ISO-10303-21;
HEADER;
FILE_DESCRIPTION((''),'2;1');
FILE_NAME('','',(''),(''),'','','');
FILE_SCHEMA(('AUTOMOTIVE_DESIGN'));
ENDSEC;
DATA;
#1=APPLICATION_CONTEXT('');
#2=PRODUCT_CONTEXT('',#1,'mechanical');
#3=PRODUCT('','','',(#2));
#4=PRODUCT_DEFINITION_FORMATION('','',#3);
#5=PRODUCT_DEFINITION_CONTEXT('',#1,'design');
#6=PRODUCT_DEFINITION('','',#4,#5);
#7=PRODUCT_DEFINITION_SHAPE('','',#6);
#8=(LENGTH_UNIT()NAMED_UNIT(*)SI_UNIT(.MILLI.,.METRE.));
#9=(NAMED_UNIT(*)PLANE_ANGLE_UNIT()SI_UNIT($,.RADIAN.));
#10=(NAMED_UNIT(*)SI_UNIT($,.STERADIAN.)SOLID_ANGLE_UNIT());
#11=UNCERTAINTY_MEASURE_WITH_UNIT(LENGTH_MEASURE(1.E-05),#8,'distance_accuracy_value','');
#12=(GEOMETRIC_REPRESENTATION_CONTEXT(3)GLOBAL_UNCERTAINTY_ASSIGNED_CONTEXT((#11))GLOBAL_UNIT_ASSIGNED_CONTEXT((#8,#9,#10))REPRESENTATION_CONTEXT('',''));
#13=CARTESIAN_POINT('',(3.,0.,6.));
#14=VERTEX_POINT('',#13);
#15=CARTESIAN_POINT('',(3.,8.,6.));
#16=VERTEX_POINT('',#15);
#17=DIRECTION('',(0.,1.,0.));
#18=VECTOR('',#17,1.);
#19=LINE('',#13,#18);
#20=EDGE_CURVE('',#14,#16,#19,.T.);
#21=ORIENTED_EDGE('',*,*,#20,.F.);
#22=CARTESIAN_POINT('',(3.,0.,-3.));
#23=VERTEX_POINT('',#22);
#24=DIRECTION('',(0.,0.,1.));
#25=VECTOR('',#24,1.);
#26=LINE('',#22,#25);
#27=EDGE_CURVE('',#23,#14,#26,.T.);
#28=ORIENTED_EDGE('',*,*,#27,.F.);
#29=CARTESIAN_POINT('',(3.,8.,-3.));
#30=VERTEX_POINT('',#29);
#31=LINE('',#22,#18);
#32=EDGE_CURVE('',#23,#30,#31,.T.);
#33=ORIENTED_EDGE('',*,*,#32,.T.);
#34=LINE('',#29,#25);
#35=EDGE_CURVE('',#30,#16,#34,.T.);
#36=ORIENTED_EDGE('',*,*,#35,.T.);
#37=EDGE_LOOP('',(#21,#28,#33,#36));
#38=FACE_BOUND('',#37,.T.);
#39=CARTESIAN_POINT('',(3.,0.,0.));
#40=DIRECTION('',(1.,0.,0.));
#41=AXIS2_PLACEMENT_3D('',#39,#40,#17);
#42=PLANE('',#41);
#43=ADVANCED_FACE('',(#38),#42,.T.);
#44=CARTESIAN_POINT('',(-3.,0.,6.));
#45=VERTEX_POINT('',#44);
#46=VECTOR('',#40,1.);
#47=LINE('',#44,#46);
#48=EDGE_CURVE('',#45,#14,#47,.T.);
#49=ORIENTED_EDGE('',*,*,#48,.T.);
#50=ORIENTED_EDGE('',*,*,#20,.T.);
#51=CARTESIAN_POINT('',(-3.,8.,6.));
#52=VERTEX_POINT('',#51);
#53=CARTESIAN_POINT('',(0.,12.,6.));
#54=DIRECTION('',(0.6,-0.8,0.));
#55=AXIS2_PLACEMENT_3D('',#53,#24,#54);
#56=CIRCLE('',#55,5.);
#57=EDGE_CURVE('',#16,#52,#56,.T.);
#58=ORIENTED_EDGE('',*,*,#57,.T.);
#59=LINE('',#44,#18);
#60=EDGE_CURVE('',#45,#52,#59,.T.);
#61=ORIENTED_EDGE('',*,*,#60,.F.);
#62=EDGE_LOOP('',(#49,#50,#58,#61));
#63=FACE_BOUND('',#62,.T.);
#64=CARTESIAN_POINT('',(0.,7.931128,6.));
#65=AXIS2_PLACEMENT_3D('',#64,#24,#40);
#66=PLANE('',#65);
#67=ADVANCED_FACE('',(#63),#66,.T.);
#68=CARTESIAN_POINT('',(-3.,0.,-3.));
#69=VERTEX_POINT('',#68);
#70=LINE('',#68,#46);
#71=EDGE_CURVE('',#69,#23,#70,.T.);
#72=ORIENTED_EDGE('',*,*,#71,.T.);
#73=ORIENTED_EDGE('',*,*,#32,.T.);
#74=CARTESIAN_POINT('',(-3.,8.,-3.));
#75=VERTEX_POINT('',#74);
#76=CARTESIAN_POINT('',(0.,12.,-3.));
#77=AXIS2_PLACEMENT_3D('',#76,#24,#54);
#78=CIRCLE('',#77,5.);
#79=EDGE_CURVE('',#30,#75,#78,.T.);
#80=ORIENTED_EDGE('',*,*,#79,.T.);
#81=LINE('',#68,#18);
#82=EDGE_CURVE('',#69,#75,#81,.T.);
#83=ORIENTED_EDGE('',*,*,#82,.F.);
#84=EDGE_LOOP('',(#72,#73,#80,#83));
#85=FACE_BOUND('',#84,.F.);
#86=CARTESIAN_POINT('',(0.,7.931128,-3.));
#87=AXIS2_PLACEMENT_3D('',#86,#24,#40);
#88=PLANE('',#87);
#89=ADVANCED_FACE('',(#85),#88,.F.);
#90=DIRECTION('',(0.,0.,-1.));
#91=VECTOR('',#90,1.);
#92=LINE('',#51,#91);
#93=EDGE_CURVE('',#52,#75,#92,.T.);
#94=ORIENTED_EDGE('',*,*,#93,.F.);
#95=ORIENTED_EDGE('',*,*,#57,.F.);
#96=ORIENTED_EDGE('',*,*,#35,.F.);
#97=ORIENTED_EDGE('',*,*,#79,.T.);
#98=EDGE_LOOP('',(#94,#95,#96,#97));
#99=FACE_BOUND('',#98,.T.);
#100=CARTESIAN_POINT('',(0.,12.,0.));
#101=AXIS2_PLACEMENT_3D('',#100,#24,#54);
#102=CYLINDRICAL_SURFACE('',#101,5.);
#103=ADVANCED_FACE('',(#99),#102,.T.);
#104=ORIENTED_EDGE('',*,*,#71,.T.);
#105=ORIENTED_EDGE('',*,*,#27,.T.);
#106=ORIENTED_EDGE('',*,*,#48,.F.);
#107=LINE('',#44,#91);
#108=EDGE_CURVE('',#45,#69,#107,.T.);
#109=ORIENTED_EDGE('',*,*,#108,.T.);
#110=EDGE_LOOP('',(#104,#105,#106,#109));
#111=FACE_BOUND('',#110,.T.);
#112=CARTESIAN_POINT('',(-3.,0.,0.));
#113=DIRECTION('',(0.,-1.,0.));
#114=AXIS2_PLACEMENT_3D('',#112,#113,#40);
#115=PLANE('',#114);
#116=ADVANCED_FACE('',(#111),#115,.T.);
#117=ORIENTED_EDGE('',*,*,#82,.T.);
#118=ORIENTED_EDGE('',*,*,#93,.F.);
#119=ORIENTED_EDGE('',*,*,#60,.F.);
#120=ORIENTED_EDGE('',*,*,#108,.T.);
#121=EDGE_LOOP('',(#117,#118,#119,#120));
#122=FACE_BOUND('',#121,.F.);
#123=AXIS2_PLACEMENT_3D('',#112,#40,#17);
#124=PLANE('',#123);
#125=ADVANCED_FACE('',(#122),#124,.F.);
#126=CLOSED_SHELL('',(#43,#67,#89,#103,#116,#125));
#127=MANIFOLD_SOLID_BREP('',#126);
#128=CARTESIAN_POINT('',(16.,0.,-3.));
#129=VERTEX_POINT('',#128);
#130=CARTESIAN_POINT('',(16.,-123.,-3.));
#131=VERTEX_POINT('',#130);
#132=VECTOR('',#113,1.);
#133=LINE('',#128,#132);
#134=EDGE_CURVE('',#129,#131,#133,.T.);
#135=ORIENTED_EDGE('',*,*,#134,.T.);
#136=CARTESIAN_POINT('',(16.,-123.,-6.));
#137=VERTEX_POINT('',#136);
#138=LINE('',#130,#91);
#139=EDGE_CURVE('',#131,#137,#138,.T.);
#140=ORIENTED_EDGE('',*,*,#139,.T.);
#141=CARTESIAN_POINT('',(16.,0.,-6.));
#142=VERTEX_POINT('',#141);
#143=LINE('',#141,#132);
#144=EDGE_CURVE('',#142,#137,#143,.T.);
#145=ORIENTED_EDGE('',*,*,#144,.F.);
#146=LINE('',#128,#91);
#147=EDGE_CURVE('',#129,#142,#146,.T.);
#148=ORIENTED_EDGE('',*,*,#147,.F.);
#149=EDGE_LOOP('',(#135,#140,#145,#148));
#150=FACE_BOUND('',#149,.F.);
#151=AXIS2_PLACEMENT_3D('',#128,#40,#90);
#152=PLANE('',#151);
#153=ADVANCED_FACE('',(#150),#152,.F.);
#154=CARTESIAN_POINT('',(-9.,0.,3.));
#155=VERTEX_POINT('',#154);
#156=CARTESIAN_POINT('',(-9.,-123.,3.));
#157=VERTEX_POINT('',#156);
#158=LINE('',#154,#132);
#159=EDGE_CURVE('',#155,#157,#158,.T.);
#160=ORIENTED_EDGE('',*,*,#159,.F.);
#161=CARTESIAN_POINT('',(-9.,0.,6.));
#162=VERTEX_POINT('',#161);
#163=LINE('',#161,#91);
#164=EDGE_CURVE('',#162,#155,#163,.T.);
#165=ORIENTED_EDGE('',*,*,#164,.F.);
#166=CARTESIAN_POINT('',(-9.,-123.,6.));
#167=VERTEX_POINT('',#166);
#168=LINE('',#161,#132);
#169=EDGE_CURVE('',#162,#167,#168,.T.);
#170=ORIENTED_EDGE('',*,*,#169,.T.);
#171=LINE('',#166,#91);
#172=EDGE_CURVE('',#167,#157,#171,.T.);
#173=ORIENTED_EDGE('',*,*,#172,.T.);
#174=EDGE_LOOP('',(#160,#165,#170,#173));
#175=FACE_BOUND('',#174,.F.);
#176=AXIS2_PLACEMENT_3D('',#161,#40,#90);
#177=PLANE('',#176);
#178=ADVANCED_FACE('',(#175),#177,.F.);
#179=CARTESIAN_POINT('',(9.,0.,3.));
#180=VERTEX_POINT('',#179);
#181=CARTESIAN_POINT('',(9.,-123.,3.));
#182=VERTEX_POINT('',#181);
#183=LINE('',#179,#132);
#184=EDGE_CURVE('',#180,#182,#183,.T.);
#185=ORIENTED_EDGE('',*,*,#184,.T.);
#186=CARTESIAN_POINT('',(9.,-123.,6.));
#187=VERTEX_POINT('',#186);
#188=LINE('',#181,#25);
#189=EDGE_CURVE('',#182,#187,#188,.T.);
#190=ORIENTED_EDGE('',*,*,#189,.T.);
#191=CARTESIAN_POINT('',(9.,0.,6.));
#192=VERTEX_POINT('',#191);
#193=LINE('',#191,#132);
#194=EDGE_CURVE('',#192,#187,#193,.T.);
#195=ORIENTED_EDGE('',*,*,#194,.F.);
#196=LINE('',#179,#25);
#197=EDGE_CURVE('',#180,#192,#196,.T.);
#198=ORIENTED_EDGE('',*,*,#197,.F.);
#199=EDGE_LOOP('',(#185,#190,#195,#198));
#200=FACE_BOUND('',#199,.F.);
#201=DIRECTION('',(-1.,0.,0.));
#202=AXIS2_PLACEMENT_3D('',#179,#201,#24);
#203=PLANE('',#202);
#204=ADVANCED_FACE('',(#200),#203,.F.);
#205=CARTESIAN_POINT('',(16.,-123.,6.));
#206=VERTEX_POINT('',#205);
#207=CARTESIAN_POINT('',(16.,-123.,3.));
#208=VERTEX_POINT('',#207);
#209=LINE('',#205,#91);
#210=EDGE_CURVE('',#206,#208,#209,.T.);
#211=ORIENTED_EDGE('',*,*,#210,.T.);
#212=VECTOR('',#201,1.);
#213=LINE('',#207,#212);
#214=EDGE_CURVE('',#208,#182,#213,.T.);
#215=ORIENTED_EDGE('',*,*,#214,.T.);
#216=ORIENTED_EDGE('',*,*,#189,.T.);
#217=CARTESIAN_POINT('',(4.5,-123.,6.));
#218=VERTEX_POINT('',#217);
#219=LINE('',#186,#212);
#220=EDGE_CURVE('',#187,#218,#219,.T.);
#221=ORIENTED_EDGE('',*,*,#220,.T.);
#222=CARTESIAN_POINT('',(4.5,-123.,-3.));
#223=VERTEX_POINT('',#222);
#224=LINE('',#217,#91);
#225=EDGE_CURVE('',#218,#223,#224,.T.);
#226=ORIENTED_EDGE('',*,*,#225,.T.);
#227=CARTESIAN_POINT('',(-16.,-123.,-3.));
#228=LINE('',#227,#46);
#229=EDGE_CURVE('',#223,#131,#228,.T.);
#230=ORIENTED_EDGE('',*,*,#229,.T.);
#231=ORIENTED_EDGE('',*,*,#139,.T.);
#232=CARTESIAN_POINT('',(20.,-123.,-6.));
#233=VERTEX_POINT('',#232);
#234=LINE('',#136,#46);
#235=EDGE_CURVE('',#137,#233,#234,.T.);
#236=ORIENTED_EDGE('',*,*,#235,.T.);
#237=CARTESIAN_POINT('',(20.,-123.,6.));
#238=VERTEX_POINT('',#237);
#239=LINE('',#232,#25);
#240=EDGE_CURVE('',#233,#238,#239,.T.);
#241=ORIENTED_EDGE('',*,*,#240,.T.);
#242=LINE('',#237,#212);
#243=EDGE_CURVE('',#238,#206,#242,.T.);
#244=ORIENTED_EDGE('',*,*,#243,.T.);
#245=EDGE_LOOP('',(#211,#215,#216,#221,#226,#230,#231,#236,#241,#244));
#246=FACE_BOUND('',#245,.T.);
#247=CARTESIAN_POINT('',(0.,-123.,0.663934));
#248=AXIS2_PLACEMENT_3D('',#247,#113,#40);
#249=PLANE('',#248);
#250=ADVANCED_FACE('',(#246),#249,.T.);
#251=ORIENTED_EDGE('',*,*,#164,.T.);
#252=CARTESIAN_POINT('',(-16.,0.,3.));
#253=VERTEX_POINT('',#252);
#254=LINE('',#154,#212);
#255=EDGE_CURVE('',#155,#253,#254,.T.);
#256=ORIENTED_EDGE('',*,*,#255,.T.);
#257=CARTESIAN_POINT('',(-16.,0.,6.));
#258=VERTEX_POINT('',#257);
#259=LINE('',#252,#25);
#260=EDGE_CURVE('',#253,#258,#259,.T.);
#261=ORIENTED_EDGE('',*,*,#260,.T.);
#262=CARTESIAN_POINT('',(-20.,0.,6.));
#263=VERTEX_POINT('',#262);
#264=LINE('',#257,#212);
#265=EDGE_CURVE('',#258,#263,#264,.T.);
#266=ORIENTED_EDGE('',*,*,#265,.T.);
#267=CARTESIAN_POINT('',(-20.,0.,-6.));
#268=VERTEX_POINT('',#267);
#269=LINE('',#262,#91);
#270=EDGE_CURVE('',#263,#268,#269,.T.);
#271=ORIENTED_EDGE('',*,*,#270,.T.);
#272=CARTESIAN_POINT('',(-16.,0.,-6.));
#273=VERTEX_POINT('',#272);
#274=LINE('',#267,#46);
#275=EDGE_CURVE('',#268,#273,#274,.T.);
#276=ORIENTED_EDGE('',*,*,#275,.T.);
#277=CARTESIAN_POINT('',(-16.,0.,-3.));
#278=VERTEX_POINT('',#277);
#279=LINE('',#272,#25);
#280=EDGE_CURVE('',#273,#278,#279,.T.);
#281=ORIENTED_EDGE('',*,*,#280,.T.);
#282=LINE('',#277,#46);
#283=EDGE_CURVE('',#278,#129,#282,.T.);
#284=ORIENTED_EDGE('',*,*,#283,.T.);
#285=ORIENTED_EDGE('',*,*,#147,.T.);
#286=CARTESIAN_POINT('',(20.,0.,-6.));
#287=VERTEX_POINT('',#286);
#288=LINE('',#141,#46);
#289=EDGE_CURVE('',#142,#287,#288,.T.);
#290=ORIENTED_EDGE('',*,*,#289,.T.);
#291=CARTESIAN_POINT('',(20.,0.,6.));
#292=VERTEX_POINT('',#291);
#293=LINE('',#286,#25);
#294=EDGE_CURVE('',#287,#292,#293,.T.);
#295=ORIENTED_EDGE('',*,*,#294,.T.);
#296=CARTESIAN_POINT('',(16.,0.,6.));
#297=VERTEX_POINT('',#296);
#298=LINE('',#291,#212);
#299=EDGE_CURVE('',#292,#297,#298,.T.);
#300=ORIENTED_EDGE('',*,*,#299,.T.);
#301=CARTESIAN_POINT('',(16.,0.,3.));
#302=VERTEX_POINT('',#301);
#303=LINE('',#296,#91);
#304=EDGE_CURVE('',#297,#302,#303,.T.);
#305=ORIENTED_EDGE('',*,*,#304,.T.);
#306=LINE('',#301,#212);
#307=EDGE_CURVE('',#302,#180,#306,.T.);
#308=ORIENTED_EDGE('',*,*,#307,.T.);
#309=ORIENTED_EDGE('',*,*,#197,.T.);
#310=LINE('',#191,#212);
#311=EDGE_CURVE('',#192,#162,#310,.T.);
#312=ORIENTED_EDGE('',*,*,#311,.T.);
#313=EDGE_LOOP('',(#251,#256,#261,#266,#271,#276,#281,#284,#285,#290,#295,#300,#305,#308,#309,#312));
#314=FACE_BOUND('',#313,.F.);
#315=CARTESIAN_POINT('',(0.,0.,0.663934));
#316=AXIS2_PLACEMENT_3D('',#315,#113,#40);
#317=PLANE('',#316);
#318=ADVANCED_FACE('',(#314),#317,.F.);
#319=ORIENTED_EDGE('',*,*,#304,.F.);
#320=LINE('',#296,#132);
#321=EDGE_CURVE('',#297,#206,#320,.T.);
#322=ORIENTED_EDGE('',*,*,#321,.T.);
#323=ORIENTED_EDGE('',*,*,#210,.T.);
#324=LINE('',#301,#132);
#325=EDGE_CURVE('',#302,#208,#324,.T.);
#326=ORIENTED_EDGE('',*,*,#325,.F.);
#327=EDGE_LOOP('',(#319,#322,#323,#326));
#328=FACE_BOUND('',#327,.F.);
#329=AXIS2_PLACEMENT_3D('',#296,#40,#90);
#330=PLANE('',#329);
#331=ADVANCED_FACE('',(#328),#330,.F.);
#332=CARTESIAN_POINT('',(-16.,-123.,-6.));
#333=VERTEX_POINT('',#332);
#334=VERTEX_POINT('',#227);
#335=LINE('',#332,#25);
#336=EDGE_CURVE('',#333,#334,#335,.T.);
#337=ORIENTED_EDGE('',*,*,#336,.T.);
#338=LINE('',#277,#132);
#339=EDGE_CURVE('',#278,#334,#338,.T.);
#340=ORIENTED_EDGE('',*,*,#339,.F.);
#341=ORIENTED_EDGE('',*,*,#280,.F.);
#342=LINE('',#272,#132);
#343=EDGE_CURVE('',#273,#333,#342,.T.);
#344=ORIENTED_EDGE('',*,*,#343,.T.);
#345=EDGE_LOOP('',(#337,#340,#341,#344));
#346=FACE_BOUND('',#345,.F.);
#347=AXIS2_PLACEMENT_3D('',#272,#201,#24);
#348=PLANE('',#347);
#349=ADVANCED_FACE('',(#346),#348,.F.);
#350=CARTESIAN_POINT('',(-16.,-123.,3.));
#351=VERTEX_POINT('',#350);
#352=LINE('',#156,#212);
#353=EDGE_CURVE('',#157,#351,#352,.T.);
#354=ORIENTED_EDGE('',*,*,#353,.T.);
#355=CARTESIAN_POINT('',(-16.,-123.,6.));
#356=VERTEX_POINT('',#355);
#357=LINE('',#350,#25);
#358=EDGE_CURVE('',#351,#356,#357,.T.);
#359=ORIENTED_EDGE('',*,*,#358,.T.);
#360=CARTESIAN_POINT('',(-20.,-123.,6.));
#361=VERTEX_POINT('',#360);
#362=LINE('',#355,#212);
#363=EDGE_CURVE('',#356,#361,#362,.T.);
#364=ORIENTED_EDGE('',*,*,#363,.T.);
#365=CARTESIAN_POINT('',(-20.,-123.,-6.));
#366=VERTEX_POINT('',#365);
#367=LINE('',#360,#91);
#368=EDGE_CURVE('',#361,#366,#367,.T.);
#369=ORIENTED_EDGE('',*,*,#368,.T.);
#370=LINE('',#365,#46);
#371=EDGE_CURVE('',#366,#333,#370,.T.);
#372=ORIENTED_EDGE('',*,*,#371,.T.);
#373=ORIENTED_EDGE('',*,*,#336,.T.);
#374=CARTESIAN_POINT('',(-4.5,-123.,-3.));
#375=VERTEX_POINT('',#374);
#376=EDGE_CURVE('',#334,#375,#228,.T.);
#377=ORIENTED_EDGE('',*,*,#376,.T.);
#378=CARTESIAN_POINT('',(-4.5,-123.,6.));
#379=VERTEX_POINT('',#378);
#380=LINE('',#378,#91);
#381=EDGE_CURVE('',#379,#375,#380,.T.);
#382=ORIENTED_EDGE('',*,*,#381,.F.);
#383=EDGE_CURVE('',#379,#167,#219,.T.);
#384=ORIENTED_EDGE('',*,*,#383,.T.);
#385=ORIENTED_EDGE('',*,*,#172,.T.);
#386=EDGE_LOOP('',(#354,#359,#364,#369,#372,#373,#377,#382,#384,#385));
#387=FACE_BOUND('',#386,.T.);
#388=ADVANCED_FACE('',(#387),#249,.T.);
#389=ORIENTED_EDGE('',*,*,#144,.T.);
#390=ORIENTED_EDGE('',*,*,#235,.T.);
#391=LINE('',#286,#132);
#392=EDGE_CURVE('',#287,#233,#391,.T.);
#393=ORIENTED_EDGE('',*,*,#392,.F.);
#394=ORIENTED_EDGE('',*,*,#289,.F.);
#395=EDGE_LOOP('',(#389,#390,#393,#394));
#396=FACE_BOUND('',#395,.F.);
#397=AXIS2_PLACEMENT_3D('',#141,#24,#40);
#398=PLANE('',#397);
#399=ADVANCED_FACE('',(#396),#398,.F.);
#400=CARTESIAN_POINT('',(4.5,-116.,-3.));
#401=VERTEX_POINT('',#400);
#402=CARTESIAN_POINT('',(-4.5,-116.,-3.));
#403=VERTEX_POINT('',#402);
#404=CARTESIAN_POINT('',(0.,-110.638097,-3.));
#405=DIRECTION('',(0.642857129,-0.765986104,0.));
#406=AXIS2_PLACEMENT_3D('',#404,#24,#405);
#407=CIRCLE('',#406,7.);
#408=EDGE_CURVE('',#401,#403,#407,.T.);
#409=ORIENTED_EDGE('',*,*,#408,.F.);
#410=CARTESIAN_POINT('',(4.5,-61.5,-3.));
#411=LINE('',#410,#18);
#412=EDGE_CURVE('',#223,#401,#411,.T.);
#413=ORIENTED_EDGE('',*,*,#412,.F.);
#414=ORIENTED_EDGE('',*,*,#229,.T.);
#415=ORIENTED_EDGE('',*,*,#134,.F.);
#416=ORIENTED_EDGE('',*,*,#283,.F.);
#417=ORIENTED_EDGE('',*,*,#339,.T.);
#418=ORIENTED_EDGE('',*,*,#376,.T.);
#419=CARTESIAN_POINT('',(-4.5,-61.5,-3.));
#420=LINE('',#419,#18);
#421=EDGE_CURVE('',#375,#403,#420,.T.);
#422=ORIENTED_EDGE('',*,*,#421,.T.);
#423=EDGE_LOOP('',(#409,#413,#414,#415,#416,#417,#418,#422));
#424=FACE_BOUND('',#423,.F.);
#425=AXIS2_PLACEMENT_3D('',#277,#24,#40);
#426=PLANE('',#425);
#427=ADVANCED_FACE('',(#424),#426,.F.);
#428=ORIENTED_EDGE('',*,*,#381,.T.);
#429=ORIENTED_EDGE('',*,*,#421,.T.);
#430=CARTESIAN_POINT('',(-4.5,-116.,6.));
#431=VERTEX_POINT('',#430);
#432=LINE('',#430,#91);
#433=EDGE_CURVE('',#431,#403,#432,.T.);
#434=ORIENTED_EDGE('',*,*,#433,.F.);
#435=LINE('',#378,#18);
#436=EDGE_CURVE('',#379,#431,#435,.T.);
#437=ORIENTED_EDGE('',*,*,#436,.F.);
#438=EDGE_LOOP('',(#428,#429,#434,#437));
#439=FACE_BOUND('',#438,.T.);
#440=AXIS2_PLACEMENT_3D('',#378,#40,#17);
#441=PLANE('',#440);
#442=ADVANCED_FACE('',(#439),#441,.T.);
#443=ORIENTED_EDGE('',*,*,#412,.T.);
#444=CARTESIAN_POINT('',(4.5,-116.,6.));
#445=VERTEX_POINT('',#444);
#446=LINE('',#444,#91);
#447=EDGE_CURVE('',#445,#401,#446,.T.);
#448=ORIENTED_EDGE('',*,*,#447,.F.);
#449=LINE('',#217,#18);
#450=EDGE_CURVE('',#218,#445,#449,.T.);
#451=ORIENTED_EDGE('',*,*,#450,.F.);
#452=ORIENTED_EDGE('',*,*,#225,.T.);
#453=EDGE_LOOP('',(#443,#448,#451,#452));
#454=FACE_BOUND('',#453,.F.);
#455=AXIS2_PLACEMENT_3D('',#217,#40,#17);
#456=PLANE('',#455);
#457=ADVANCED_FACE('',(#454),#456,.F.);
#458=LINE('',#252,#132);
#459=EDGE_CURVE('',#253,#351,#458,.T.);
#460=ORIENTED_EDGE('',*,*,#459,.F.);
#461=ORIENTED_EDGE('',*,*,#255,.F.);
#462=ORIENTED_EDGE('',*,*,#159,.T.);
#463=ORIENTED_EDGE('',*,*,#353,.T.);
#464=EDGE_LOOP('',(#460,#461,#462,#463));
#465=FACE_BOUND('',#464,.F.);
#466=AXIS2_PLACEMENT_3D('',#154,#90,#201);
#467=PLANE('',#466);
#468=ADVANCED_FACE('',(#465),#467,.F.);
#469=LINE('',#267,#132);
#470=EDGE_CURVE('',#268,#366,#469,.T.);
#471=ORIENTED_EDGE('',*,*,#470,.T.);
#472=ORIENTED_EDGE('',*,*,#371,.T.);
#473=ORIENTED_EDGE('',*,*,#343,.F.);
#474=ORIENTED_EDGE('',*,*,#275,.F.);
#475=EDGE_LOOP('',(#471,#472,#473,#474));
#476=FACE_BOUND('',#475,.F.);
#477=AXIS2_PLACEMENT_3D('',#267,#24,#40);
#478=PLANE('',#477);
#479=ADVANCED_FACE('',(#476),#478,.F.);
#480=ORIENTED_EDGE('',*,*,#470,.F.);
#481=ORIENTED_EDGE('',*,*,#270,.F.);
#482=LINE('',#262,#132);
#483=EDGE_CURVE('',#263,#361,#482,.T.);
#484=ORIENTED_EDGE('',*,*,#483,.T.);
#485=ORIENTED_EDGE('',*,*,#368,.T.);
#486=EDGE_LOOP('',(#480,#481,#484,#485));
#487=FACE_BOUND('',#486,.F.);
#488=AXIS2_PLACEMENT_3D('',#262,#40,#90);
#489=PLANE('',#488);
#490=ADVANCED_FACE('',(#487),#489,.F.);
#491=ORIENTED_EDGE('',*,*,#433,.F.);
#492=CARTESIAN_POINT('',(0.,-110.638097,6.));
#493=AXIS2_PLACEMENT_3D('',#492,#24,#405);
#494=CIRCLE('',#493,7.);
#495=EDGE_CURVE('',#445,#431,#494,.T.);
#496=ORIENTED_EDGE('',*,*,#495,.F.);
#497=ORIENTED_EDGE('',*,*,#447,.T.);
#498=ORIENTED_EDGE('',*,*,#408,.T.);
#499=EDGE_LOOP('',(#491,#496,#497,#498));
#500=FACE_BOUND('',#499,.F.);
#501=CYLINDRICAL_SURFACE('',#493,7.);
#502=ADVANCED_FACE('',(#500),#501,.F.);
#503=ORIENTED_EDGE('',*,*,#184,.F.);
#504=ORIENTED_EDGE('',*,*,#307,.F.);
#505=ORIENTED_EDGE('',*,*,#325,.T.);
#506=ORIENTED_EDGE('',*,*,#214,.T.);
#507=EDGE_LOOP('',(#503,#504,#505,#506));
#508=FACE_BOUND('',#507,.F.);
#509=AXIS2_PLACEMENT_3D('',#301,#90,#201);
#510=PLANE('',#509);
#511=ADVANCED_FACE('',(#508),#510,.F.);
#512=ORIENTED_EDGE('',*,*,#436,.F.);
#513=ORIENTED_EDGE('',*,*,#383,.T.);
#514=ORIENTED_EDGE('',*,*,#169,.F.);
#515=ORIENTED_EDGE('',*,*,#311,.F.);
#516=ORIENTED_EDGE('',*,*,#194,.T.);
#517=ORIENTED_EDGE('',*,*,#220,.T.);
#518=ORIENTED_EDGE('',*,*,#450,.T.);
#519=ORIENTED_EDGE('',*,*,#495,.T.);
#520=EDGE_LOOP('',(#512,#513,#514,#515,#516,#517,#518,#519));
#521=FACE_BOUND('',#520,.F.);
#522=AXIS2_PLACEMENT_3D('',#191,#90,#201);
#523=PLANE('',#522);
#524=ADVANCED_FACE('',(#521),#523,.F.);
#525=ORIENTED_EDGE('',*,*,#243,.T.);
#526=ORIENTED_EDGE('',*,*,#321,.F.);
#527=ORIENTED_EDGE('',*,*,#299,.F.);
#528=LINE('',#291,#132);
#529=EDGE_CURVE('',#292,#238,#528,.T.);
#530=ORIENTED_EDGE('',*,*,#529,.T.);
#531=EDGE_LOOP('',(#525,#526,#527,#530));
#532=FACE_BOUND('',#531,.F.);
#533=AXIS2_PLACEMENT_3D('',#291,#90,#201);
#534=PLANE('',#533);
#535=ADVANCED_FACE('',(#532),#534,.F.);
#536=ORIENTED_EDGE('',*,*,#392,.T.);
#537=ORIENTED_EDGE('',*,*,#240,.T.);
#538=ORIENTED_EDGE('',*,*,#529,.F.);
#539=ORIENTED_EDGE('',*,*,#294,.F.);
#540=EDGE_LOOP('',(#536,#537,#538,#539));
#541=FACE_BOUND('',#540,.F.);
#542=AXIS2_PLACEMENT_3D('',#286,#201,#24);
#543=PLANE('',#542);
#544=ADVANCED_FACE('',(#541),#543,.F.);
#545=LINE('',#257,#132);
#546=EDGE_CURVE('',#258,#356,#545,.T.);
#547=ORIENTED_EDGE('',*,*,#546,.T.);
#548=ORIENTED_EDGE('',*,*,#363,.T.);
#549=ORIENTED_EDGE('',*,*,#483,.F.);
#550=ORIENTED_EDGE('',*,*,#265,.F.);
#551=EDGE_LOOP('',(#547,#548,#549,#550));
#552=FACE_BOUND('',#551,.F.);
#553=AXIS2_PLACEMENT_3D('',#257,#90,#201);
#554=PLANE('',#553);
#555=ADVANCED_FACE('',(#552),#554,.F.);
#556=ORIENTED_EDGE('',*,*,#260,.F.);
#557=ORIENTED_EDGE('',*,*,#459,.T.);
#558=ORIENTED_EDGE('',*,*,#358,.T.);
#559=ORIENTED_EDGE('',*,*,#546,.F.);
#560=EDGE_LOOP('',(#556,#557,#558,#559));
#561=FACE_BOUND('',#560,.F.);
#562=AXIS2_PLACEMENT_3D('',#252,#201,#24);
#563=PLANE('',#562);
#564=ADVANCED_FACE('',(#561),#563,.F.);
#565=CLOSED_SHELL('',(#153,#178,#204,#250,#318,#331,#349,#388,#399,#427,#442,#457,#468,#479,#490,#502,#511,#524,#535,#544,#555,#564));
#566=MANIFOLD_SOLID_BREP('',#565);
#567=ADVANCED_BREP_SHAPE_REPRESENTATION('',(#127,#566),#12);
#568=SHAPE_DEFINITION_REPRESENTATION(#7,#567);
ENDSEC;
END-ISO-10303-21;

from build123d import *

# Parameters (mm, degrees)
PAD_DEPTH         = 123
POCKET_DEPTH      = 12.001
PAD001_DEPTH      = 6
PAD001_DEPTH_BACK = 3


with BuildPart() as body:
    # Sketch → Pad (new body)
    with BuildSketch(Plane.XZ):
        Polygon((-20, 6), (-20, -6), (-16, -6), (-16, -3), (-9, -3), (9, -3), (16, -3), (16, -6), (20, -6), (20, 6), (16, 6), (16, 3), (9, 3), (9, 6), (-9, 6), (-9, 3), (-16, 3), (-16, 6), align=None)
    extrude(amount=PAD_DEPTH)

    # Sketch002 (on Face14 of Pad) → Pocket (cut, through all)
    with BuildSketch(Plane(origin=(0, 0, 6), x_dir=(-1, 0, 0), z_dir=(0, 0, 1))):
        with BuildLine():
            Line((-4.5, 123), (4.5, 123))
            Line((4.5, 123), (4.5, 116))
            ThreePointArc((-4.5, 116), (0, 103.638097), (4.5, 116))
            Line((-4.5, 123), (-4.5, 116))
        make_face()
    extrude(amount=-POCKET_DEPTH, mode=Mode.SUBTRACT)


with BuildPart() as body001:
    # Sketch001 → Pad001 (new body, two sides)
    with BuildSketch(Plane.XY) as pad001_sk:
        with BuildLine():
            Line((-3, 0), (3, 0))
            Line((3, 0), (3, 8))
            ThreePointArc((3, 8), (0, 17), (-3, 8))
            Line((-3, 0), (-3, 8))
        make_face()
    extrude(amount=PAD001_DEPTH)
    extrude(pad001_sk.sketch, amount=-PAD001_DEPTH_BACK)


solid = Compound([body.part, body001.part])
